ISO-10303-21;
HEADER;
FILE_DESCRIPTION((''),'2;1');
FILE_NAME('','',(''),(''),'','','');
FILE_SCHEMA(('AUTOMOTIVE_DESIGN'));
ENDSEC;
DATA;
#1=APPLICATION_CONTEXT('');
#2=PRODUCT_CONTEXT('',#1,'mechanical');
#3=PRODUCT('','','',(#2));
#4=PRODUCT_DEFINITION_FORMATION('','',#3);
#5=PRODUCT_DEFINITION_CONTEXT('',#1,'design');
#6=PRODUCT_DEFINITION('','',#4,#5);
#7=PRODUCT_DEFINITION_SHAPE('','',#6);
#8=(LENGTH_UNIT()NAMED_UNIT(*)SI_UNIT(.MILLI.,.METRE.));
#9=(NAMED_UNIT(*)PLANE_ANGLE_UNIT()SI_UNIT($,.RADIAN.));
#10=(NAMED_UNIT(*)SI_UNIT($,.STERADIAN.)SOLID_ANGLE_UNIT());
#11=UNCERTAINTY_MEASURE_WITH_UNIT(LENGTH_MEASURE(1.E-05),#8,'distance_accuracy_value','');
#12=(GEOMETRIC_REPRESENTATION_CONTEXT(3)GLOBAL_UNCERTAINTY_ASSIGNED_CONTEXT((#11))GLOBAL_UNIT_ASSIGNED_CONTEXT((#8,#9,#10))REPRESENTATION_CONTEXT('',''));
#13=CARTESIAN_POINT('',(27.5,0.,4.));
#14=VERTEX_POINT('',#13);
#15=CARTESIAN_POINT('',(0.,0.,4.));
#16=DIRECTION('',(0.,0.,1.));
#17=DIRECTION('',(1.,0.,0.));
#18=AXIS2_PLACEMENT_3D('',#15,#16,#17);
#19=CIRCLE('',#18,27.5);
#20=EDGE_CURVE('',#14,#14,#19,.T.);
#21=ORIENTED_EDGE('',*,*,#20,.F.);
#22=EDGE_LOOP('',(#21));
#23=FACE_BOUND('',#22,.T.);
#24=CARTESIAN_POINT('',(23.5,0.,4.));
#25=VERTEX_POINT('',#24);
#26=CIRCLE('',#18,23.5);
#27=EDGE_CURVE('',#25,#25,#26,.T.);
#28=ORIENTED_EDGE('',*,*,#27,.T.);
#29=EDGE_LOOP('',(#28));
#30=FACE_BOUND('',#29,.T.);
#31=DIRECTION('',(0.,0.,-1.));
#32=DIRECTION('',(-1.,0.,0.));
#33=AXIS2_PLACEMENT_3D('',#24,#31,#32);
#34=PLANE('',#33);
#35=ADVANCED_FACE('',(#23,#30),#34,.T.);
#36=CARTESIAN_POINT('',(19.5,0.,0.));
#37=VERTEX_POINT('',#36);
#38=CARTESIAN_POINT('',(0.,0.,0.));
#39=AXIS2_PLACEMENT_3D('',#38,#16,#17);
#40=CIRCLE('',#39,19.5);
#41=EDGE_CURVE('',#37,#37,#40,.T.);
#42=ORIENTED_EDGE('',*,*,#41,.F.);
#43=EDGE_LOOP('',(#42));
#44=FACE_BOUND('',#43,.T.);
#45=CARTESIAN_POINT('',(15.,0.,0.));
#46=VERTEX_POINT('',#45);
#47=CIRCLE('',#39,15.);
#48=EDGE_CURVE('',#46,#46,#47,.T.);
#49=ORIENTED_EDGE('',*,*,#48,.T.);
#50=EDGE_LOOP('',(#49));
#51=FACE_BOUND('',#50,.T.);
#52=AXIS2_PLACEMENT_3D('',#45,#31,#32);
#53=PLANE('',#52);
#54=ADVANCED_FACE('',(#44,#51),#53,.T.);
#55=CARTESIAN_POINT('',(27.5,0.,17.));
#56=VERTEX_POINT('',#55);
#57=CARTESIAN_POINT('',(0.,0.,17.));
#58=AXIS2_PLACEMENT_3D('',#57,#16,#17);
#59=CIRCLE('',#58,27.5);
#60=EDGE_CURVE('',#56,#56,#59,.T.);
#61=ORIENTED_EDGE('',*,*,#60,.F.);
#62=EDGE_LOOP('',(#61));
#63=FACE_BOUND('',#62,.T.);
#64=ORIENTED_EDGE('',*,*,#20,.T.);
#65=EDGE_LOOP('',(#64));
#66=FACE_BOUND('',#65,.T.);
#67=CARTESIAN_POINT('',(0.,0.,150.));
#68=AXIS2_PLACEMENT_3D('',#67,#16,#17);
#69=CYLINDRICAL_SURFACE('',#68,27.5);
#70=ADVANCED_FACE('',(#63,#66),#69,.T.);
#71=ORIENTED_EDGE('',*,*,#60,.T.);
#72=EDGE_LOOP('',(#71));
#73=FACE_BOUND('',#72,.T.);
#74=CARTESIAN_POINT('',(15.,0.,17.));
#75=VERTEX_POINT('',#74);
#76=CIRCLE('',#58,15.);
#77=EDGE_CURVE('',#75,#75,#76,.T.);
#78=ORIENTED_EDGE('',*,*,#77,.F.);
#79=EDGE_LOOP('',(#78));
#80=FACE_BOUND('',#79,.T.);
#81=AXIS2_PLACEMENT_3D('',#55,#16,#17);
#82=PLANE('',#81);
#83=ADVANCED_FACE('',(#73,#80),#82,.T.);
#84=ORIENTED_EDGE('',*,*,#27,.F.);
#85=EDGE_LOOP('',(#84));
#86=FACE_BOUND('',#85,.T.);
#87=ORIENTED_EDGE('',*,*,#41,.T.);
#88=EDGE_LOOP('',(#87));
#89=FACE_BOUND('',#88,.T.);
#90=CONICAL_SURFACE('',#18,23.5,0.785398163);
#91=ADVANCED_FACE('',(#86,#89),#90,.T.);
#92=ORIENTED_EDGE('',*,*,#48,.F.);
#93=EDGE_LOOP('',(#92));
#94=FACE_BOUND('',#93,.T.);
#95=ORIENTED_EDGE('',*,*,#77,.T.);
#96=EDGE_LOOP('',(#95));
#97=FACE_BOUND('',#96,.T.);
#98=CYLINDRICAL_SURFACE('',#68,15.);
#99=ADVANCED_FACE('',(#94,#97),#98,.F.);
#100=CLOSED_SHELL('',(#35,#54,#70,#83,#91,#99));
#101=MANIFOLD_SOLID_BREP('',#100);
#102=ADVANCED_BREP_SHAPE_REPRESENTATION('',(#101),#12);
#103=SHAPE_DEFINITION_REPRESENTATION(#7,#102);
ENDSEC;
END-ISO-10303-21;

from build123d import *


with BuildPart() as part:
    # Sketch1 → REV_32006X_Envelope_cone_back_at_z0 (revolve)
    with BuildSketch(Plane(origin=(0, 0, 0), x_dir=(1, 0, 0), z_dir=(0, 1, 0))):
        Polygon((15, 0), (19.5, 0), (23.5, -4), (27.5, -4), (27.5, -17), (15, -17), align=None)
    revolve(axis=Axis((0, 0, 150), (0, 0, -1)))


solid = part.part
